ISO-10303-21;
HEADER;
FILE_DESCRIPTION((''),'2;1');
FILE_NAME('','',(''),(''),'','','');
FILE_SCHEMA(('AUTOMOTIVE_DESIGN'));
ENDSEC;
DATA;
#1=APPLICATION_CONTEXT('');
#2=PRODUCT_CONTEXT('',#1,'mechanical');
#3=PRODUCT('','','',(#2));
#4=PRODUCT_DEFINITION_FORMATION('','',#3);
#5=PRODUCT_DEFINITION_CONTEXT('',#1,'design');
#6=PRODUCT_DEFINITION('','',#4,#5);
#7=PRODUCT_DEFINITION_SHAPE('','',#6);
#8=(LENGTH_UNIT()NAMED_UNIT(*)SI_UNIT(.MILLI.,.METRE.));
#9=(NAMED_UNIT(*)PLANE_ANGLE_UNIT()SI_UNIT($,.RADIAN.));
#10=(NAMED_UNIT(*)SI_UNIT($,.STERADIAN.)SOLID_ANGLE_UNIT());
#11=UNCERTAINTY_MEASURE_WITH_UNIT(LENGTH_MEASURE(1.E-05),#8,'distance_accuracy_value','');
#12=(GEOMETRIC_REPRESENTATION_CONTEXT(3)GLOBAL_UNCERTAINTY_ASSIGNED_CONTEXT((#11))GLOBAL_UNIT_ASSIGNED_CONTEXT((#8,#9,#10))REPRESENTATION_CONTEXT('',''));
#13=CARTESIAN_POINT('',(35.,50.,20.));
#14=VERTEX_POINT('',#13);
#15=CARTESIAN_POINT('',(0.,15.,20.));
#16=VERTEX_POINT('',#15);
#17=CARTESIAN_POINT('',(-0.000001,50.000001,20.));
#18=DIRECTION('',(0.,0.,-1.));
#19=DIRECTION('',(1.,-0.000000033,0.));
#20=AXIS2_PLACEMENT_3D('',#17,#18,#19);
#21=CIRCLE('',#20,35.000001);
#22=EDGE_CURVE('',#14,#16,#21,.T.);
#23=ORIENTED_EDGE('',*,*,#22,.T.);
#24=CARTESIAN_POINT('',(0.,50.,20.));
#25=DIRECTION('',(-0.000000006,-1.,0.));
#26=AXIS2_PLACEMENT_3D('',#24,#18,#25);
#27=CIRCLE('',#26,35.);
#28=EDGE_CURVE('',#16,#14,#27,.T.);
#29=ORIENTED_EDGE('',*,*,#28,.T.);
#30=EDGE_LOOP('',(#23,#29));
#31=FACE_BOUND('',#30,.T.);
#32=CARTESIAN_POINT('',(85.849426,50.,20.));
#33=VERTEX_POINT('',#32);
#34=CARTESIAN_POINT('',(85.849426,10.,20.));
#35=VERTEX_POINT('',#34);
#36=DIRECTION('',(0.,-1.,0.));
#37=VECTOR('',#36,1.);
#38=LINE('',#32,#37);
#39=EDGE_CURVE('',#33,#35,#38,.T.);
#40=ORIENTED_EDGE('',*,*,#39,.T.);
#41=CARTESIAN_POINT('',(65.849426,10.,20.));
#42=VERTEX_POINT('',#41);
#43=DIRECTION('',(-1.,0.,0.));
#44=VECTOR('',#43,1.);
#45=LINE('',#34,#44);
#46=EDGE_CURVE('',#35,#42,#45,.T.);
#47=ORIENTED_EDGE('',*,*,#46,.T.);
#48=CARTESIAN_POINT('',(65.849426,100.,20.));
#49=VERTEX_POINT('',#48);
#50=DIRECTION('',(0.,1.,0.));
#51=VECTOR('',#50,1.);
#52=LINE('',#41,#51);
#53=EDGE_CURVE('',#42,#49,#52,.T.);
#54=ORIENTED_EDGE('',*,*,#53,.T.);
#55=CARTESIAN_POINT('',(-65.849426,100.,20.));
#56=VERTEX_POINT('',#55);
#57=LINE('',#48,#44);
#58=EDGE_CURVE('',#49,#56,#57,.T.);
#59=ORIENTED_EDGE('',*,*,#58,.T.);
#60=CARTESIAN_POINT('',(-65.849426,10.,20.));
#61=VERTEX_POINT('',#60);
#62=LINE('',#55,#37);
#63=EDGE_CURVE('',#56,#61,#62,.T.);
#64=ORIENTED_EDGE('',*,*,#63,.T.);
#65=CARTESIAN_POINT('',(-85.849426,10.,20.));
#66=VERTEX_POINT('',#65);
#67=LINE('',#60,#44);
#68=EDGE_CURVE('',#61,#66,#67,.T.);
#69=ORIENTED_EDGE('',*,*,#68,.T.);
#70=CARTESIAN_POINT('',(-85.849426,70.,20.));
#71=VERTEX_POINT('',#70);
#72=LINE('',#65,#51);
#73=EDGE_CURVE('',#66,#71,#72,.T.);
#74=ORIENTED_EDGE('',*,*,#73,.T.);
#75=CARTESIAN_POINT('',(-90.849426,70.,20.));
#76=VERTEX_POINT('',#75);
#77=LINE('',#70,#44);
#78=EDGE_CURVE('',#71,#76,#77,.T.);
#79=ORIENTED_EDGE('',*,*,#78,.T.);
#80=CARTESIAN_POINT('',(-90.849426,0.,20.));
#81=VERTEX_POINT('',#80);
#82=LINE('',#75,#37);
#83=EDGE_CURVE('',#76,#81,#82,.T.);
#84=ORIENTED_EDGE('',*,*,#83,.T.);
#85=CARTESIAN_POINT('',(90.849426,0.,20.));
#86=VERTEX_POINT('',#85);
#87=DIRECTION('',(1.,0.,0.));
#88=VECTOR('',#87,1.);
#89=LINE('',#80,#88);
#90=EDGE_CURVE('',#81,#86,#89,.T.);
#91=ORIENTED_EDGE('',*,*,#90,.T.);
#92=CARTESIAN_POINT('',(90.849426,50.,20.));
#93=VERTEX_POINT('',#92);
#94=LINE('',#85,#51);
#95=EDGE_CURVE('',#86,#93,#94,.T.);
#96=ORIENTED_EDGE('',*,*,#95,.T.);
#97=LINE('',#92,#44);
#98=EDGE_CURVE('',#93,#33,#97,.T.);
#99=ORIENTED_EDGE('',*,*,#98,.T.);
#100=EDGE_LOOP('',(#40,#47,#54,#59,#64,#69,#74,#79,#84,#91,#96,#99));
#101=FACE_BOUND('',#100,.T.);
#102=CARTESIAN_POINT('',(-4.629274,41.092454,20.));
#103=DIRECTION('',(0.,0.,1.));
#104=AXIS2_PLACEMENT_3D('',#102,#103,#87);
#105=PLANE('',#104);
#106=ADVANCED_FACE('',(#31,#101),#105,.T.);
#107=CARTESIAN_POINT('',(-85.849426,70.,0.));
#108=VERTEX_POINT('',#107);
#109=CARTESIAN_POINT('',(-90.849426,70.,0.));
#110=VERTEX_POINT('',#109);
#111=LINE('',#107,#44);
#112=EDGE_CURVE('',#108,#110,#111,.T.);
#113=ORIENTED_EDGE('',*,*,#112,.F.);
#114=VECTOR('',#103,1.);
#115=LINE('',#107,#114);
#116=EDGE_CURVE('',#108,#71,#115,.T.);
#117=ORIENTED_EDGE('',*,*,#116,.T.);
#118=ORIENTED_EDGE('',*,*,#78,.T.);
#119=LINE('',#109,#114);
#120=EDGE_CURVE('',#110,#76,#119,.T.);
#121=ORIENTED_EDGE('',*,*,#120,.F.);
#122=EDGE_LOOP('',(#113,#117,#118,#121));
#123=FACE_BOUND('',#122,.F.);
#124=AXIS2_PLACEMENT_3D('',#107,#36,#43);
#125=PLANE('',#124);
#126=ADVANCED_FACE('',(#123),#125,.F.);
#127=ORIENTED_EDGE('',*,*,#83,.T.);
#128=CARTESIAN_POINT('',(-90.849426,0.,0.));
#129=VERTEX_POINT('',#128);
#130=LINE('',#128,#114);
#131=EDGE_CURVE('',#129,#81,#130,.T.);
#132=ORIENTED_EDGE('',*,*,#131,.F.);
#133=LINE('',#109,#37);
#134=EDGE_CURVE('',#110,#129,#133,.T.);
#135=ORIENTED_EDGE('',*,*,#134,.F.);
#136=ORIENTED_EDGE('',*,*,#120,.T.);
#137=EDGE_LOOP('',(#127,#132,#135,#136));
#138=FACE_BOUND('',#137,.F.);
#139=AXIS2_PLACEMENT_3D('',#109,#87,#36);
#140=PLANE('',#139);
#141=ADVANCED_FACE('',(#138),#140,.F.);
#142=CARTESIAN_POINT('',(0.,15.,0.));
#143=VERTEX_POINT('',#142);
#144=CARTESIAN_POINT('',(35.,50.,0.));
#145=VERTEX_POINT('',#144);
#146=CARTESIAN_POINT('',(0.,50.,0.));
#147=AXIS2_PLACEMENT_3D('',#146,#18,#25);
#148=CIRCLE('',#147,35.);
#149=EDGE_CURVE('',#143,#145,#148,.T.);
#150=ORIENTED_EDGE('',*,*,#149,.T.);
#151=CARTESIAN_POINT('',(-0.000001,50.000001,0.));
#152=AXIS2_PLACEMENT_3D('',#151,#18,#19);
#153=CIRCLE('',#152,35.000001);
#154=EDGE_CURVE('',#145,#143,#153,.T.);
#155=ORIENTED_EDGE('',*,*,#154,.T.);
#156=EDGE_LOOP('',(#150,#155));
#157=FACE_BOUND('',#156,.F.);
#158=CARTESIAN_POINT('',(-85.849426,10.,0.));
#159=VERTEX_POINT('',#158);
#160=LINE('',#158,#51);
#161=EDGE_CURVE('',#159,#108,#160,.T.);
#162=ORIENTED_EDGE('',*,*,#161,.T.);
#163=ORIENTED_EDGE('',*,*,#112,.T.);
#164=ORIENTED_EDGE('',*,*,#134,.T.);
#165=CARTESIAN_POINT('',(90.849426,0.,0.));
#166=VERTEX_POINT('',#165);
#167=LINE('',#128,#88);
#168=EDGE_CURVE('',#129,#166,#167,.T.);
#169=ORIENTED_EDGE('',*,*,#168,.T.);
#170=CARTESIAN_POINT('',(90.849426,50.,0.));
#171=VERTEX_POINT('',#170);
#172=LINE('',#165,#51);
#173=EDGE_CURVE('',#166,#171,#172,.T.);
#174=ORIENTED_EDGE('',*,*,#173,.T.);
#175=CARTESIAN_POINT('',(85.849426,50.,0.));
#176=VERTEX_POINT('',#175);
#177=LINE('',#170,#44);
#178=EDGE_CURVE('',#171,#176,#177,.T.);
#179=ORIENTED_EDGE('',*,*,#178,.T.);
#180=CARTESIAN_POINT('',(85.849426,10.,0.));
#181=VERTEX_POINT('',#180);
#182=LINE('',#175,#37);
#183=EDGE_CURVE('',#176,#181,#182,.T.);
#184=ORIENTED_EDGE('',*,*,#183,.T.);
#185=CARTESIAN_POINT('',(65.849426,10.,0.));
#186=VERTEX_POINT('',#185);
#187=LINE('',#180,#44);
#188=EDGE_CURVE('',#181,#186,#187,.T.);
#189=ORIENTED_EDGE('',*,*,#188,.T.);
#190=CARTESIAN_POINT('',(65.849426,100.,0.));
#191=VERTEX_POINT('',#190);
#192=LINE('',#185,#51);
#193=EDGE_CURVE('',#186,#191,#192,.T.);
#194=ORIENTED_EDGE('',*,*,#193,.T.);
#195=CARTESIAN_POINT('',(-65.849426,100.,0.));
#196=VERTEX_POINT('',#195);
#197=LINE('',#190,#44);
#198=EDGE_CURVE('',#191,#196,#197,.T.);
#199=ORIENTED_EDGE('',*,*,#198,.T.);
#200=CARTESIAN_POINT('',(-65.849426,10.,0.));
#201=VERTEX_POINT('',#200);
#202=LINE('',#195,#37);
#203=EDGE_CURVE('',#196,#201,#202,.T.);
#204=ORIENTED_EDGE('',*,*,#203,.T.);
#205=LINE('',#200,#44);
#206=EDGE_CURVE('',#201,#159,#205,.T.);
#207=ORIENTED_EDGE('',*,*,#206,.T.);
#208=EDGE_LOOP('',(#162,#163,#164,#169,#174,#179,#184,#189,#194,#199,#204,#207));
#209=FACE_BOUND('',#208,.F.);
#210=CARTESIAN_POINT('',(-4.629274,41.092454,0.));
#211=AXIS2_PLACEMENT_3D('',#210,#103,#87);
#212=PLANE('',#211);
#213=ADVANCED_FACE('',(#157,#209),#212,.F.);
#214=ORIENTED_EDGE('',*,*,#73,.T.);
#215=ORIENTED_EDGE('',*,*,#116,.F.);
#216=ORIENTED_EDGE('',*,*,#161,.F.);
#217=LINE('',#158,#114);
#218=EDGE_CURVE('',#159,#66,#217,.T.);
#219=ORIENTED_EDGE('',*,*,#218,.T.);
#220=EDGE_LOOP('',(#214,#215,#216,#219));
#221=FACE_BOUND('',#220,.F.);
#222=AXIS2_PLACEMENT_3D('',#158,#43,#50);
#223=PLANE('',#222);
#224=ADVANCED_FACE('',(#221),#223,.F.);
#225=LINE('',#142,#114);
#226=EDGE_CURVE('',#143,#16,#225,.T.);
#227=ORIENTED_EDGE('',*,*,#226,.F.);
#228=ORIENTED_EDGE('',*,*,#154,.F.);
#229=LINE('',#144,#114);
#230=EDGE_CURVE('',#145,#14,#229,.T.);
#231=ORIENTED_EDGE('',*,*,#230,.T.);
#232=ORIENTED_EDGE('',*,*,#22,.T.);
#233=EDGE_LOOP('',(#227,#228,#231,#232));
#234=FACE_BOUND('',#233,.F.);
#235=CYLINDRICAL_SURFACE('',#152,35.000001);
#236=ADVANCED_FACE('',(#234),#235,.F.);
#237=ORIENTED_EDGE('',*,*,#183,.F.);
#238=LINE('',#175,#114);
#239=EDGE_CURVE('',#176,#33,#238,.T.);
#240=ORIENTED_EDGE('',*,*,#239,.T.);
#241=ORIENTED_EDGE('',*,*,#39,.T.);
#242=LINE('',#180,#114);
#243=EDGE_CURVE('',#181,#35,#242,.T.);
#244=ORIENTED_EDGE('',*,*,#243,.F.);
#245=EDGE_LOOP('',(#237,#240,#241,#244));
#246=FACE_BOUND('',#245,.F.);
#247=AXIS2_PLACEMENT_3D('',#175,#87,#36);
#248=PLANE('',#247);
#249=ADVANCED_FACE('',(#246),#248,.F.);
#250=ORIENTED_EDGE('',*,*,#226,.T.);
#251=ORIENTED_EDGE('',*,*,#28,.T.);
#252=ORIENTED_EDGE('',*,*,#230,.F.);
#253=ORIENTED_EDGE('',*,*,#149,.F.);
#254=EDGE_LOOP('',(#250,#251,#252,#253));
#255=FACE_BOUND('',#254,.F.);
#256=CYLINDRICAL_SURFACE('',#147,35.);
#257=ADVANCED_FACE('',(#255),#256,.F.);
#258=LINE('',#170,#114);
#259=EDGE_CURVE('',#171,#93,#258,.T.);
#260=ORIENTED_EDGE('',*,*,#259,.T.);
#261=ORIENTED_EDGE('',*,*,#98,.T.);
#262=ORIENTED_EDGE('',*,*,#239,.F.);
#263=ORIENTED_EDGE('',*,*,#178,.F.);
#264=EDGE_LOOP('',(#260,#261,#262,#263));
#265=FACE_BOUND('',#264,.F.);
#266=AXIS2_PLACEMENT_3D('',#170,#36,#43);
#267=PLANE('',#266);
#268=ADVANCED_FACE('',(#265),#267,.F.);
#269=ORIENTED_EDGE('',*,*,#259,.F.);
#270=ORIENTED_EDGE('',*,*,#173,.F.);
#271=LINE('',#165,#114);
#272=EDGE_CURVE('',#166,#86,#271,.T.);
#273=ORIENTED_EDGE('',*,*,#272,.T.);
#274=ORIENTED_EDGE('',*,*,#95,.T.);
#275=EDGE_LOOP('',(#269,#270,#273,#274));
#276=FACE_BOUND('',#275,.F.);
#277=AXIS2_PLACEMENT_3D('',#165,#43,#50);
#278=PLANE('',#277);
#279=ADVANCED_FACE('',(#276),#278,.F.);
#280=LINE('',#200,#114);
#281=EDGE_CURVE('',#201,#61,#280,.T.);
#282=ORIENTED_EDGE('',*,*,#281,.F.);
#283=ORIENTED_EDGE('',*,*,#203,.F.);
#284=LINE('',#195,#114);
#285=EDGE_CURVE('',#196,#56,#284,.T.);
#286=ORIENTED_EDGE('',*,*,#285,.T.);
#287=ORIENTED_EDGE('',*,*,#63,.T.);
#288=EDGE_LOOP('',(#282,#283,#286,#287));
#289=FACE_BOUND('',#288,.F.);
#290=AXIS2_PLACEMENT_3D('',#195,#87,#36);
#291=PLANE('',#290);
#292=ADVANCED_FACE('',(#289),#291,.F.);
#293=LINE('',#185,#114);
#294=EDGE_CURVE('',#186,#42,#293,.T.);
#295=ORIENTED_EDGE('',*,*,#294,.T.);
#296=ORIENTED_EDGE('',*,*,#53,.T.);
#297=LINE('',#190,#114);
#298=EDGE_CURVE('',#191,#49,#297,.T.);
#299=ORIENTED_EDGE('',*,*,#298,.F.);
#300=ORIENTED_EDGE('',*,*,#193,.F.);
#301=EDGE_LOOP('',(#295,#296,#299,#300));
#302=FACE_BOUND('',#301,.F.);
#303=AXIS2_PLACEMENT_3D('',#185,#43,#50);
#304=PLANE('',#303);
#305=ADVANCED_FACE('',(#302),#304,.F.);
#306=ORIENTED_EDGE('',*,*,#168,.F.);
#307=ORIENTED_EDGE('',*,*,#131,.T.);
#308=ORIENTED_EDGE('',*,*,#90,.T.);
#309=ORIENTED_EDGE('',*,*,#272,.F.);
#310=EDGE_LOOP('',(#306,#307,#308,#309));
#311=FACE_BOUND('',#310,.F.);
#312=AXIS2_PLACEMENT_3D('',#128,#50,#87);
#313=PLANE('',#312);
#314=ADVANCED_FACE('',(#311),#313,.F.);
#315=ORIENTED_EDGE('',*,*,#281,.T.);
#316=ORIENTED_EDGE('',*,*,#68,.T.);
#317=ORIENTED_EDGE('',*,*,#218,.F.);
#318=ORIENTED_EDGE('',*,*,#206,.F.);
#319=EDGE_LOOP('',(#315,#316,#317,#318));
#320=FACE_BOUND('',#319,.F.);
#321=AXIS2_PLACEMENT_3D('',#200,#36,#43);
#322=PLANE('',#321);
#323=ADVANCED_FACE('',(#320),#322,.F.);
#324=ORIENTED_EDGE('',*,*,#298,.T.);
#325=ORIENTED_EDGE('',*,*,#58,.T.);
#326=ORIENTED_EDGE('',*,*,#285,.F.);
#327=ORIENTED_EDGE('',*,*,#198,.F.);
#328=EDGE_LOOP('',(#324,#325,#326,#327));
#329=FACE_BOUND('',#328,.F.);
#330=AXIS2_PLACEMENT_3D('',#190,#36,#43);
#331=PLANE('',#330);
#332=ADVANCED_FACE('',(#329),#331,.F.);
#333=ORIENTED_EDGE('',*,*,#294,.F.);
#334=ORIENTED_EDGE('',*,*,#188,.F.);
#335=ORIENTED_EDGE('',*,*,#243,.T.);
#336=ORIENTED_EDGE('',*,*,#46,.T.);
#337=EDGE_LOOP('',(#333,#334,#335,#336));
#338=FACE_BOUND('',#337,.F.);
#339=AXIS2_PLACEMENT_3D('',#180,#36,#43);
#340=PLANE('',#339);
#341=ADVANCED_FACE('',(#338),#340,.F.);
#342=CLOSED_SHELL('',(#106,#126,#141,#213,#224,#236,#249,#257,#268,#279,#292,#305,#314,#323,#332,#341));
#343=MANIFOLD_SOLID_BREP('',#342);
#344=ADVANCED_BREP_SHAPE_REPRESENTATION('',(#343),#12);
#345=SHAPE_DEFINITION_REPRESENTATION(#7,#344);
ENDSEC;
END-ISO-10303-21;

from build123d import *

# Parameters (mm, degrees)
F1_DEPTH = 20


with BuildPart() as f1:
    # F0 (on Top) → F1 (new body)
    with BuildSketch(Plane.XY):
        Polygon((-90.849426, 50), (-90.849426, 0), (0, 0), (90.849426, 0), (90.849426, 50), (85.849426, 50), (85.849426, 10), (75.849426, 10), (65.849426, 10), (65.849426, 70), (65.849426, 90), (65.849426, 100), (-65.849426, 100), (-65.849426, 90), (-65.849426, 70), (-65.849426, 10), (-75.849426, 10), (-85.849426, 10), (-85.849426, 50), (-85.849426, 70), (-90.849426, 70), align=None)
        with BuildLine():
            ThreePointArc((35, 50), (24.748737, 25.251263), (0, 15))
            ThreePointArc((0, 15), (-24.748737, 74.748737), (35, 50))
        make_face(mode=Mode.SUBTRACT)
    extrude(amount=F1_DEPTH)


solid = f1.part
